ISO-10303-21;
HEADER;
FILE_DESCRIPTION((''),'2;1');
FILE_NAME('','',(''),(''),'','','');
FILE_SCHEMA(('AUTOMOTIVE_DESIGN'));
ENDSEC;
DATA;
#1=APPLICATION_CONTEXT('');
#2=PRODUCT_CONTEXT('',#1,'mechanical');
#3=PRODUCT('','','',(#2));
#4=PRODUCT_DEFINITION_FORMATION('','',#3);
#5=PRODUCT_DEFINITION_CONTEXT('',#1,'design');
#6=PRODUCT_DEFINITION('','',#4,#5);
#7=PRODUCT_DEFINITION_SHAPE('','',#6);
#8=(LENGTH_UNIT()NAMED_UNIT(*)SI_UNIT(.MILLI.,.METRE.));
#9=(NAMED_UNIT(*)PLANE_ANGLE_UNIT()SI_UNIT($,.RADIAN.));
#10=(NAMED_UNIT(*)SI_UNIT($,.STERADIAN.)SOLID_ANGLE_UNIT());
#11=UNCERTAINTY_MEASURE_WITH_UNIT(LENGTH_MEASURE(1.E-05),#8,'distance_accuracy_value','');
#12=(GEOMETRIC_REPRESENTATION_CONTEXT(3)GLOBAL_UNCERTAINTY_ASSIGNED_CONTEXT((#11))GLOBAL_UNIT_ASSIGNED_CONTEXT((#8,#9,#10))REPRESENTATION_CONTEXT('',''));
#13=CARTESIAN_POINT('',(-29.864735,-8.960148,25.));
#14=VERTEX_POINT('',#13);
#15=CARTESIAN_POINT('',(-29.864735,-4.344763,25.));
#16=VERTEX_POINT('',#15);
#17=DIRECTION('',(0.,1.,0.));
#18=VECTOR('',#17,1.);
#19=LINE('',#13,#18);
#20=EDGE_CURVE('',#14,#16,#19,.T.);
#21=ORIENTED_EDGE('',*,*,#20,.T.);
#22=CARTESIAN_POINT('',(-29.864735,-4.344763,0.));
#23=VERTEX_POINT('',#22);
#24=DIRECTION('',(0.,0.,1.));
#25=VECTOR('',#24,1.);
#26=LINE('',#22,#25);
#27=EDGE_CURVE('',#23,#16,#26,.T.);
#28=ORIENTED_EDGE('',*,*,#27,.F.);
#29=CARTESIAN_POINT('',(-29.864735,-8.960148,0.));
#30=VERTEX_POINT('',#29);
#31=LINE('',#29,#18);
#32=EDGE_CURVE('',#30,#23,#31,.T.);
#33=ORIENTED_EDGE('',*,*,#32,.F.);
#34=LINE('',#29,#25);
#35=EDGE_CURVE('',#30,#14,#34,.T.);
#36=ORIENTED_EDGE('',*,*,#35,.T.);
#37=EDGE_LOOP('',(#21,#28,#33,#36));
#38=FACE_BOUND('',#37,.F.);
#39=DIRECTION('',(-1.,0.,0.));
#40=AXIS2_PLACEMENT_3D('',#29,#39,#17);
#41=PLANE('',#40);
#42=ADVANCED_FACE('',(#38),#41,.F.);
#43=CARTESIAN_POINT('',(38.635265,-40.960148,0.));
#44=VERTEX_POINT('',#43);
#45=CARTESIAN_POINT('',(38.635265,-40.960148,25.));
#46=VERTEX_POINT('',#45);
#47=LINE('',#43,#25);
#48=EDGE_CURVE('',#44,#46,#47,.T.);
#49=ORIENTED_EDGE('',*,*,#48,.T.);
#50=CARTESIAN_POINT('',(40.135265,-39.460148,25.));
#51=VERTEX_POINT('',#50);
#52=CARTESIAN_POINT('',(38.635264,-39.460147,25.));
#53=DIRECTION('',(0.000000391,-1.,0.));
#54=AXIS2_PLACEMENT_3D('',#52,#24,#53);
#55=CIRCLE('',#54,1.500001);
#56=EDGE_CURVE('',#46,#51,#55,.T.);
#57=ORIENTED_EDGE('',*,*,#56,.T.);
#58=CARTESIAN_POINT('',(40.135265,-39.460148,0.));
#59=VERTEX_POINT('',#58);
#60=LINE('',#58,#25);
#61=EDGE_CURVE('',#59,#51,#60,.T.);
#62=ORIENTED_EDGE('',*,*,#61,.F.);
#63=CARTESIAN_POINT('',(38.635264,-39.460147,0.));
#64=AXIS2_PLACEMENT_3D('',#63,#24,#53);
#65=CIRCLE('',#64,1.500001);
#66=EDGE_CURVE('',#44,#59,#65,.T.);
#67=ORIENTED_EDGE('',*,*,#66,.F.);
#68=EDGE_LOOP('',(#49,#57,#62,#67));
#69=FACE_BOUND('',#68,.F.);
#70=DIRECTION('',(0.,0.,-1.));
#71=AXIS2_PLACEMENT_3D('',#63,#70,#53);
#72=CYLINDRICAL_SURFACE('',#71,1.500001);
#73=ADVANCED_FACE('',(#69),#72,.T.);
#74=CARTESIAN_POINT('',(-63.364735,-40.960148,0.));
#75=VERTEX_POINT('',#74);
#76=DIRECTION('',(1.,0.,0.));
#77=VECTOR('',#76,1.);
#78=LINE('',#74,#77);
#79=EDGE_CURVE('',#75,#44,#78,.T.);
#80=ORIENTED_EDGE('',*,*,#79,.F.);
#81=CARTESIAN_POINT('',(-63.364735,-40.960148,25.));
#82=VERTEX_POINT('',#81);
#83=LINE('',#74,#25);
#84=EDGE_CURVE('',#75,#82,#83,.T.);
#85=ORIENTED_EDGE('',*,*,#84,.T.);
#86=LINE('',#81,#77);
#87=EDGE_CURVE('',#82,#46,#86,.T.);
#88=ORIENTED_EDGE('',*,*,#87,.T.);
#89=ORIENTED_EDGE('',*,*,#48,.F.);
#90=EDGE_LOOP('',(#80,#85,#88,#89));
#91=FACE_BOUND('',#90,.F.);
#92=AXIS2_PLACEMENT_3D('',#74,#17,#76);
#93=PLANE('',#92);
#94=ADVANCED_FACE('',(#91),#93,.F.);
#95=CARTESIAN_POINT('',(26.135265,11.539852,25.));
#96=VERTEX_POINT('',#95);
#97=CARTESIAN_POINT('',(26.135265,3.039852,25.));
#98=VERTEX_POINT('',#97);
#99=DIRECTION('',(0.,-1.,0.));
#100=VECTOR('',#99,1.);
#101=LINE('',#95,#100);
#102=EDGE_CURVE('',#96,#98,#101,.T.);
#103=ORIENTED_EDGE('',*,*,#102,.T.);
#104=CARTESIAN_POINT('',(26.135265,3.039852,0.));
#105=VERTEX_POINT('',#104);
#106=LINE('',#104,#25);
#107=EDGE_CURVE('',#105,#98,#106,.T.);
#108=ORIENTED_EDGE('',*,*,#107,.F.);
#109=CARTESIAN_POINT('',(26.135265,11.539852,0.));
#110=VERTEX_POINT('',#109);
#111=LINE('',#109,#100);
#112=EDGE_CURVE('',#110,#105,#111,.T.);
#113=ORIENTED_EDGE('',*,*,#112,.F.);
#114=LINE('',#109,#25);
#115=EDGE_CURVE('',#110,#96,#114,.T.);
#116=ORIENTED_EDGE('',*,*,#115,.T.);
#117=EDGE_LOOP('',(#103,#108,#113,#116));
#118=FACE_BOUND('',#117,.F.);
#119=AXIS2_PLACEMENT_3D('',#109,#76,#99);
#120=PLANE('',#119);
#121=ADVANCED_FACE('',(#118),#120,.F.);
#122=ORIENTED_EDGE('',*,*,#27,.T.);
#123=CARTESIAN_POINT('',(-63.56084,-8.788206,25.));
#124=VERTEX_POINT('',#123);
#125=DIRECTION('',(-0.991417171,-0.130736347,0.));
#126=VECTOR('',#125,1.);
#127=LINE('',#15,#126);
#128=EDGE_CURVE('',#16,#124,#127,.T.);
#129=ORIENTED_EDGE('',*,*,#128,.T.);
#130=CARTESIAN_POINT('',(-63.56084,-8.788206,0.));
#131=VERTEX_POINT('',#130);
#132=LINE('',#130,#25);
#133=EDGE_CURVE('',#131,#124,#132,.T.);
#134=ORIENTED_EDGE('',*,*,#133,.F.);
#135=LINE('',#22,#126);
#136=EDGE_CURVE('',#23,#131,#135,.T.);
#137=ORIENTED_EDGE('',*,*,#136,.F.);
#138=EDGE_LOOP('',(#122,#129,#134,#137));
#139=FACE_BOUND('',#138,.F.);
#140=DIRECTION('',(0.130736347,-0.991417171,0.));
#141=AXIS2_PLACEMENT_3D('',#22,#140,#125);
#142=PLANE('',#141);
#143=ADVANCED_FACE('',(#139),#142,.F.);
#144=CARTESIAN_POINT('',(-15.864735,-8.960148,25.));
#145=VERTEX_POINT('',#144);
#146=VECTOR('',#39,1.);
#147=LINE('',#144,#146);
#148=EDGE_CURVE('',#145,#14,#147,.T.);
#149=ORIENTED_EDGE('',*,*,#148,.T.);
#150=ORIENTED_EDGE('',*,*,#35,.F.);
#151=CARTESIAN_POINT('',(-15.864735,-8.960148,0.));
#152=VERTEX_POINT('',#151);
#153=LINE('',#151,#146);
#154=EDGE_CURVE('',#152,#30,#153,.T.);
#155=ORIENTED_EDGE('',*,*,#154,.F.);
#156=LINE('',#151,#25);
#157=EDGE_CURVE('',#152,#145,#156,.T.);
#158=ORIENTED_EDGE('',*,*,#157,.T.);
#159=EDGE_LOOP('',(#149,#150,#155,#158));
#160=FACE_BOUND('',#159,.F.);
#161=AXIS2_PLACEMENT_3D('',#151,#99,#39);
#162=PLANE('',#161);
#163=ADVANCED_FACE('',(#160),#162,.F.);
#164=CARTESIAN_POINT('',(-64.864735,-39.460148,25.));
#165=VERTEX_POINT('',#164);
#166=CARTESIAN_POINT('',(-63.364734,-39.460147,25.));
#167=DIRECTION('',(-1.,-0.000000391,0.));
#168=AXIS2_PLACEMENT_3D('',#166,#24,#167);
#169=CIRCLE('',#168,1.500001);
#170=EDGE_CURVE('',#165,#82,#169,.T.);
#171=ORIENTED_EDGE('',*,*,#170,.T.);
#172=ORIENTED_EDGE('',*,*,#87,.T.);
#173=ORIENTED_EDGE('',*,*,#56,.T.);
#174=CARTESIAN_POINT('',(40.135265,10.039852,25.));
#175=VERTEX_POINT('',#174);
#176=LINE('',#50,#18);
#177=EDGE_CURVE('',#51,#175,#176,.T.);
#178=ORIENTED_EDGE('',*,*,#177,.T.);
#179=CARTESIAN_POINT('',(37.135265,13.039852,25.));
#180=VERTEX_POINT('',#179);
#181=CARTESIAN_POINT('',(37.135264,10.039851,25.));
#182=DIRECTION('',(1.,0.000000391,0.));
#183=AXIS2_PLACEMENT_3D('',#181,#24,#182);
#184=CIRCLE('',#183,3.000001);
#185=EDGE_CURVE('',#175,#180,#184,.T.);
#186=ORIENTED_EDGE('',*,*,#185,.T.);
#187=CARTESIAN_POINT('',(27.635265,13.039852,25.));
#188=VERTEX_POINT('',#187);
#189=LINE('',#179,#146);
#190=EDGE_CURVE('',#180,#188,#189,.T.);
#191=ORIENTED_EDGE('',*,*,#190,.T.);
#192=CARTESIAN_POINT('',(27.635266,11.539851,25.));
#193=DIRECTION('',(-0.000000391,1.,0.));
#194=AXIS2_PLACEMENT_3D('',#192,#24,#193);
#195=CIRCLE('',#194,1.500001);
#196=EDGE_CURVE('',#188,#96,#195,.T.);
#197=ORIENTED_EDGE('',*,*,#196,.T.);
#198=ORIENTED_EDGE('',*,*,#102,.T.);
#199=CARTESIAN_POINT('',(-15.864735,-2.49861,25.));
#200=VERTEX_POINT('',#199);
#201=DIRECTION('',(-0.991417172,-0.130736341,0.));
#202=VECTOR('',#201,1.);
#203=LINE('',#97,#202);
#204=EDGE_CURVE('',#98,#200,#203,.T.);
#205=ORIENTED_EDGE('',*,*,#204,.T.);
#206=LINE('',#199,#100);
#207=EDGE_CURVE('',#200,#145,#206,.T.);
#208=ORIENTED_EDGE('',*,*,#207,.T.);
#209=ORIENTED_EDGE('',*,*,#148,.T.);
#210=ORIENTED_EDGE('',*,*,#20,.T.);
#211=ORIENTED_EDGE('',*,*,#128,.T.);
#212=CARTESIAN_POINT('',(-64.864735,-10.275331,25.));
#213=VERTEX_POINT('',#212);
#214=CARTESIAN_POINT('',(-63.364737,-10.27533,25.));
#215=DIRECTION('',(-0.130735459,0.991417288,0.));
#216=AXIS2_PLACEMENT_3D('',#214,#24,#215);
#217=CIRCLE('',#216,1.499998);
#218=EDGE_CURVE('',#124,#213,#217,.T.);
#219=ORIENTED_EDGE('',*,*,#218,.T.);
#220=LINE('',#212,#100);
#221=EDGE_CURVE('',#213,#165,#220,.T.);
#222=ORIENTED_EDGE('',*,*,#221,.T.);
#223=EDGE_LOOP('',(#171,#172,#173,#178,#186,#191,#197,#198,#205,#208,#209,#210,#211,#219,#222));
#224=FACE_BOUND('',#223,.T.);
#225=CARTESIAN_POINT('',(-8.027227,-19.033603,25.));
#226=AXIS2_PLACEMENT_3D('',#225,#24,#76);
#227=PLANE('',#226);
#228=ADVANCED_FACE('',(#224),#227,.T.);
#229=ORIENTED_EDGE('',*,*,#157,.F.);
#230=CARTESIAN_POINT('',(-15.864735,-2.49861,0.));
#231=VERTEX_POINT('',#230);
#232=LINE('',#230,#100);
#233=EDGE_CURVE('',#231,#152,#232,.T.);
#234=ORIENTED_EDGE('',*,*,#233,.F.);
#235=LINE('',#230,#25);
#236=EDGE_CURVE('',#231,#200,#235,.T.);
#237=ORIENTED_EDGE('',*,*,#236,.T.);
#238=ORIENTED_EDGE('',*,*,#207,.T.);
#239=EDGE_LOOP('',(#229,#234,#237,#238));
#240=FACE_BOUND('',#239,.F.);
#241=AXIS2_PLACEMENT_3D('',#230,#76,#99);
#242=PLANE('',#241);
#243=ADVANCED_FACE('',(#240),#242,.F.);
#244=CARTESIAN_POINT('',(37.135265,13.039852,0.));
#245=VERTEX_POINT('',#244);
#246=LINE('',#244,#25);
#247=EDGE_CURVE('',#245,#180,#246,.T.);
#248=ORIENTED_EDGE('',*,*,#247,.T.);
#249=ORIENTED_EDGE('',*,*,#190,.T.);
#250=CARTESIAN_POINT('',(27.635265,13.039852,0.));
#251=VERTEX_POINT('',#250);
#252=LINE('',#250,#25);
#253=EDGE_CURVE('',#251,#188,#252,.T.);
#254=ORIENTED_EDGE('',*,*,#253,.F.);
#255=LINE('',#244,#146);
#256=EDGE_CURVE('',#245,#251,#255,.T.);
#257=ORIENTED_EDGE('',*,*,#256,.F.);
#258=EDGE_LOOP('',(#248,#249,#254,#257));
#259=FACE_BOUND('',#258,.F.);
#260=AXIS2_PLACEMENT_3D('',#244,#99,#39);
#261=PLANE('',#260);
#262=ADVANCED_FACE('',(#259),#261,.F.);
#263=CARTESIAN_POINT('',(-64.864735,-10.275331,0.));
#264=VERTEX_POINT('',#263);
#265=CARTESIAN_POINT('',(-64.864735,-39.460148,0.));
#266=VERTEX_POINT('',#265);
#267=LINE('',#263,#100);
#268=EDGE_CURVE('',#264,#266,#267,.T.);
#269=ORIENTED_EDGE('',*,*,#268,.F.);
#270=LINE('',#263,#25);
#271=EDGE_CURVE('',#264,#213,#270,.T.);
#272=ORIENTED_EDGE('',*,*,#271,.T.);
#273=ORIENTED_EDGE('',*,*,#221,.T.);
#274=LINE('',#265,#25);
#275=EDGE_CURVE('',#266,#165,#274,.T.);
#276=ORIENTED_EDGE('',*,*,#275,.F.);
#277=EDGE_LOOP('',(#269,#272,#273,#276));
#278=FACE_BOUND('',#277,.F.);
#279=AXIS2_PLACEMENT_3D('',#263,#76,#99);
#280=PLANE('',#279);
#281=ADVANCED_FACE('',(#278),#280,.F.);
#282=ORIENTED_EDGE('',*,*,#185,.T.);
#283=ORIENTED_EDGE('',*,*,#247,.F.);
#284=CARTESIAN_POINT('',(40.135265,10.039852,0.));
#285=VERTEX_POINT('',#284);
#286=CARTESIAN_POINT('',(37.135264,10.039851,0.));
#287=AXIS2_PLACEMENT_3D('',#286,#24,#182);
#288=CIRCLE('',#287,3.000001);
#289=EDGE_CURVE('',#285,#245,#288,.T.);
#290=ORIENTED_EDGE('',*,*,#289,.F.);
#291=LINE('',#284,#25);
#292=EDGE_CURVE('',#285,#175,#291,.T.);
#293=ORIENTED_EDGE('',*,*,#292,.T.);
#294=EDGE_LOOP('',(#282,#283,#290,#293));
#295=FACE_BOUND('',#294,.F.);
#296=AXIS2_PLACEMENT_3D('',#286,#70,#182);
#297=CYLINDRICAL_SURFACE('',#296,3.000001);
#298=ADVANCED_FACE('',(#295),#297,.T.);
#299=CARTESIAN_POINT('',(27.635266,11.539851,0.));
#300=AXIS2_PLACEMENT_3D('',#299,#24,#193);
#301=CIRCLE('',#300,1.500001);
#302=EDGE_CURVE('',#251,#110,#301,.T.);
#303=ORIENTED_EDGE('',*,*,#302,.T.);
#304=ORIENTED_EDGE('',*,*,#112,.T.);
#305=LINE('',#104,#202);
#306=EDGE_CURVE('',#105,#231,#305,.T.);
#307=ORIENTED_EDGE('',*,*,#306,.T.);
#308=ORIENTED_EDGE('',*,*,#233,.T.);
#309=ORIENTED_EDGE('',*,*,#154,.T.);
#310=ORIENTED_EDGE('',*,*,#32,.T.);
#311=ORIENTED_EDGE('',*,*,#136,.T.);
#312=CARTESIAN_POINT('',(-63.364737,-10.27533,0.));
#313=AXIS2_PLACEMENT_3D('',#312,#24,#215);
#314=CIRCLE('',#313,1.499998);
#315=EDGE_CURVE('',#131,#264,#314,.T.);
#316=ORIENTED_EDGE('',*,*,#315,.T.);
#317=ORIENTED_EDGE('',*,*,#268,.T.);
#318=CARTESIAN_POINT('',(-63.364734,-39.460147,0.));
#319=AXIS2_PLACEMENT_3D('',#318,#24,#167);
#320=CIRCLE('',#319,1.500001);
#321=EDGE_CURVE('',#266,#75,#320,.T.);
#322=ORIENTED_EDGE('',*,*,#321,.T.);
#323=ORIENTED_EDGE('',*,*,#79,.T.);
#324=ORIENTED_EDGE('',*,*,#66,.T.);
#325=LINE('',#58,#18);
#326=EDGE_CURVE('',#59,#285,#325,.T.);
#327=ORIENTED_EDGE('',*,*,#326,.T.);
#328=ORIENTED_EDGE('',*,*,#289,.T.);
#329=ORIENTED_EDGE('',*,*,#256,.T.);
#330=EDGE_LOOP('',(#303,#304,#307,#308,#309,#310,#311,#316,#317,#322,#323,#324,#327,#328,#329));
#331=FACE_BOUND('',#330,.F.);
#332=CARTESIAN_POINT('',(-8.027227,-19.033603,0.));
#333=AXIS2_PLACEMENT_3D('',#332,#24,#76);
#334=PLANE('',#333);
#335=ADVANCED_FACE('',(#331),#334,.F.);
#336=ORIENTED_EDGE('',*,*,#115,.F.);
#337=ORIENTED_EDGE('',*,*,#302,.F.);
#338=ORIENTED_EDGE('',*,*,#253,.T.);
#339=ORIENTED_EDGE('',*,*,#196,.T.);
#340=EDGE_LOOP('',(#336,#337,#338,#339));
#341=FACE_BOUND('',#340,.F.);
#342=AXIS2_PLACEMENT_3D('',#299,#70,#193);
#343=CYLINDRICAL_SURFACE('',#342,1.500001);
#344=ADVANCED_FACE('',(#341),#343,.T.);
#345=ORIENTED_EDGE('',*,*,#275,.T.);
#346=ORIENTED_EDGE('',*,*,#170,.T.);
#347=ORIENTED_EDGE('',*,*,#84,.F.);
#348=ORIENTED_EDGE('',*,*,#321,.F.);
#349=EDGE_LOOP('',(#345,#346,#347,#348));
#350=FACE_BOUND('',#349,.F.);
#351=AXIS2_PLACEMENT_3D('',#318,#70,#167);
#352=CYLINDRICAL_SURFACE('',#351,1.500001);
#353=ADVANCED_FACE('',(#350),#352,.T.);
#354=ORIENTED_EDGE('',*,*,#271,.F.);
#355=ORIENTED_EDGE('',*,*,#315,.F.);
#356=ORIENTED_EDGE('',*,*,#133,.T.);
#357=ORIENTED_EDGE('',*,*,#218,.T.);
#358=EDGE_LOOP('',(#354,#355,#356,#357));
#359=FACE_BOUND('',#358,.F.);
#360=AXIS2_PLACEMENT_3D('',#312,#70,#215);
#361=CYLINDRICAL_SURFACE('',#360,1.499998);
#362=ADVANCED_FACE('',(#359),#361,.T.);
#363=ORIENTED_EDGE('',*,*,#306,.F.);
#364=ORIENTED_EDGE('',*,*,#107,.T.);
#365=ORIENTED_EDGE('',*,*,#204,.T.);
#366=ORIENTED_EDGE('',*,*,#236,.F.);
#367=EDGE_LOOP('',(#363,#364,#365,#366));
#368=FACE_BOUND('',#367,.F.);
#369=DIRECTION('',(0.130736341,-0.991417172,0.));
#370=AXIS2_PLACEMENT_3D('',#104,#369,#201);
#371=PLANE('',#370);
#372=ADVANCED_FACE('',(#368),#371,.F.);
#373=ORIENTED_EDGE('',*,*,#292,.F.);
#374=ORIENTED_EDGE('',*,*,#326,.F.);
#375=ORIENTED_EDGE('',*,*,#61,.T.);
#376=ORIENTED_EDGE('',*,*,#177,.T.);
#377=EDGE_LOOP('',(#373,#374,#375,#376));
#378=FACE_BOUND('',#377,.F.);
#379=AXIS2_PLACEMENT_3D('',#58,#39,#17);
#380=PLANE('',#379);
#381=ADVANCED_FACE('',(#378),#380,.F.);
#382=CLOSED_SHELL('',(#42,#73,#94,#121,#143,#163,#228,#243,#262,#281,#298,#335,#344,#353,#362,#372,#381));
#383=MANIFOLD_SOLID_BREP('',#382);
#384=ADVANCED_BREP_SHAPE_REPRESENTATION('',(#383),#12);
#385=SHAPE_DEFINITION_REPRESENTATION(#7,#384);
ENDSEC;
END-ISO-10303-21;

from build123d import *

# Parameters (mm, degrees)
F1_DEPTH = 25


with BuildPart() as f1:
    # F0 (on Top) → F1 (new body)
    with BuildSketch(Plane.XY):
        with BuildLine():
            ThreePointArc((-64.864735, -39.460148), (-64.425395, -40.520808), (-63.364735, -40.960148))
            Line((-63.364735, -40.960148), (-29.864735, -40.960148))
            Line((-29.864735, -40.960148), (-15.864735, -40.960148))
            Line((-15.864735, -40.960148), (26.135265, -40.960148))
            Line((26.135265, -40.960148), (38.635265, -40.960148))
            ThreePointArc((38.635265, -40.960148), (39.695925, -40.520808), (40.135265, -39.460148))
            Line((40.135265, -39.460148), (40.135265, 10.039852))
            ThreePointArc((40.135265, 10.039852), (39.256585, 12.161172), (37.135265, 13.039852))
            Line((37.135265, 13.039852), (27.635265, 13.039852))
            ThreePointArc((27.635265, 13.039852), (26.574605, 12.600512), (26.135265, 11.539852))
            Line((26.135265, 11.539852), (26.135265, 3.039852))
            Line((26.135265, 3.039852), (-15.864735, -2.49861))
            Line((-15.864735, -2.49861), (-15.864735, -8.960148))
            Line((-15.864735, -8.960148), (-29.864735, -8.960148))
            Line((-29.864735, -8.960148), (-29.864735, -4.344763))
            Line((-29.864735, -4.344763), (-63.56084, -8.788206))
            ThreePointArc((-63.56084, -8.788206), (-64.4926, -9.286432), (-64.864735, -10.275331))
            Line((-64.864735, -10.275331), (-64.864735, -39.460148))
        make_face()
    extrude(amount=F1_DEPTH)


solid = f1.part
